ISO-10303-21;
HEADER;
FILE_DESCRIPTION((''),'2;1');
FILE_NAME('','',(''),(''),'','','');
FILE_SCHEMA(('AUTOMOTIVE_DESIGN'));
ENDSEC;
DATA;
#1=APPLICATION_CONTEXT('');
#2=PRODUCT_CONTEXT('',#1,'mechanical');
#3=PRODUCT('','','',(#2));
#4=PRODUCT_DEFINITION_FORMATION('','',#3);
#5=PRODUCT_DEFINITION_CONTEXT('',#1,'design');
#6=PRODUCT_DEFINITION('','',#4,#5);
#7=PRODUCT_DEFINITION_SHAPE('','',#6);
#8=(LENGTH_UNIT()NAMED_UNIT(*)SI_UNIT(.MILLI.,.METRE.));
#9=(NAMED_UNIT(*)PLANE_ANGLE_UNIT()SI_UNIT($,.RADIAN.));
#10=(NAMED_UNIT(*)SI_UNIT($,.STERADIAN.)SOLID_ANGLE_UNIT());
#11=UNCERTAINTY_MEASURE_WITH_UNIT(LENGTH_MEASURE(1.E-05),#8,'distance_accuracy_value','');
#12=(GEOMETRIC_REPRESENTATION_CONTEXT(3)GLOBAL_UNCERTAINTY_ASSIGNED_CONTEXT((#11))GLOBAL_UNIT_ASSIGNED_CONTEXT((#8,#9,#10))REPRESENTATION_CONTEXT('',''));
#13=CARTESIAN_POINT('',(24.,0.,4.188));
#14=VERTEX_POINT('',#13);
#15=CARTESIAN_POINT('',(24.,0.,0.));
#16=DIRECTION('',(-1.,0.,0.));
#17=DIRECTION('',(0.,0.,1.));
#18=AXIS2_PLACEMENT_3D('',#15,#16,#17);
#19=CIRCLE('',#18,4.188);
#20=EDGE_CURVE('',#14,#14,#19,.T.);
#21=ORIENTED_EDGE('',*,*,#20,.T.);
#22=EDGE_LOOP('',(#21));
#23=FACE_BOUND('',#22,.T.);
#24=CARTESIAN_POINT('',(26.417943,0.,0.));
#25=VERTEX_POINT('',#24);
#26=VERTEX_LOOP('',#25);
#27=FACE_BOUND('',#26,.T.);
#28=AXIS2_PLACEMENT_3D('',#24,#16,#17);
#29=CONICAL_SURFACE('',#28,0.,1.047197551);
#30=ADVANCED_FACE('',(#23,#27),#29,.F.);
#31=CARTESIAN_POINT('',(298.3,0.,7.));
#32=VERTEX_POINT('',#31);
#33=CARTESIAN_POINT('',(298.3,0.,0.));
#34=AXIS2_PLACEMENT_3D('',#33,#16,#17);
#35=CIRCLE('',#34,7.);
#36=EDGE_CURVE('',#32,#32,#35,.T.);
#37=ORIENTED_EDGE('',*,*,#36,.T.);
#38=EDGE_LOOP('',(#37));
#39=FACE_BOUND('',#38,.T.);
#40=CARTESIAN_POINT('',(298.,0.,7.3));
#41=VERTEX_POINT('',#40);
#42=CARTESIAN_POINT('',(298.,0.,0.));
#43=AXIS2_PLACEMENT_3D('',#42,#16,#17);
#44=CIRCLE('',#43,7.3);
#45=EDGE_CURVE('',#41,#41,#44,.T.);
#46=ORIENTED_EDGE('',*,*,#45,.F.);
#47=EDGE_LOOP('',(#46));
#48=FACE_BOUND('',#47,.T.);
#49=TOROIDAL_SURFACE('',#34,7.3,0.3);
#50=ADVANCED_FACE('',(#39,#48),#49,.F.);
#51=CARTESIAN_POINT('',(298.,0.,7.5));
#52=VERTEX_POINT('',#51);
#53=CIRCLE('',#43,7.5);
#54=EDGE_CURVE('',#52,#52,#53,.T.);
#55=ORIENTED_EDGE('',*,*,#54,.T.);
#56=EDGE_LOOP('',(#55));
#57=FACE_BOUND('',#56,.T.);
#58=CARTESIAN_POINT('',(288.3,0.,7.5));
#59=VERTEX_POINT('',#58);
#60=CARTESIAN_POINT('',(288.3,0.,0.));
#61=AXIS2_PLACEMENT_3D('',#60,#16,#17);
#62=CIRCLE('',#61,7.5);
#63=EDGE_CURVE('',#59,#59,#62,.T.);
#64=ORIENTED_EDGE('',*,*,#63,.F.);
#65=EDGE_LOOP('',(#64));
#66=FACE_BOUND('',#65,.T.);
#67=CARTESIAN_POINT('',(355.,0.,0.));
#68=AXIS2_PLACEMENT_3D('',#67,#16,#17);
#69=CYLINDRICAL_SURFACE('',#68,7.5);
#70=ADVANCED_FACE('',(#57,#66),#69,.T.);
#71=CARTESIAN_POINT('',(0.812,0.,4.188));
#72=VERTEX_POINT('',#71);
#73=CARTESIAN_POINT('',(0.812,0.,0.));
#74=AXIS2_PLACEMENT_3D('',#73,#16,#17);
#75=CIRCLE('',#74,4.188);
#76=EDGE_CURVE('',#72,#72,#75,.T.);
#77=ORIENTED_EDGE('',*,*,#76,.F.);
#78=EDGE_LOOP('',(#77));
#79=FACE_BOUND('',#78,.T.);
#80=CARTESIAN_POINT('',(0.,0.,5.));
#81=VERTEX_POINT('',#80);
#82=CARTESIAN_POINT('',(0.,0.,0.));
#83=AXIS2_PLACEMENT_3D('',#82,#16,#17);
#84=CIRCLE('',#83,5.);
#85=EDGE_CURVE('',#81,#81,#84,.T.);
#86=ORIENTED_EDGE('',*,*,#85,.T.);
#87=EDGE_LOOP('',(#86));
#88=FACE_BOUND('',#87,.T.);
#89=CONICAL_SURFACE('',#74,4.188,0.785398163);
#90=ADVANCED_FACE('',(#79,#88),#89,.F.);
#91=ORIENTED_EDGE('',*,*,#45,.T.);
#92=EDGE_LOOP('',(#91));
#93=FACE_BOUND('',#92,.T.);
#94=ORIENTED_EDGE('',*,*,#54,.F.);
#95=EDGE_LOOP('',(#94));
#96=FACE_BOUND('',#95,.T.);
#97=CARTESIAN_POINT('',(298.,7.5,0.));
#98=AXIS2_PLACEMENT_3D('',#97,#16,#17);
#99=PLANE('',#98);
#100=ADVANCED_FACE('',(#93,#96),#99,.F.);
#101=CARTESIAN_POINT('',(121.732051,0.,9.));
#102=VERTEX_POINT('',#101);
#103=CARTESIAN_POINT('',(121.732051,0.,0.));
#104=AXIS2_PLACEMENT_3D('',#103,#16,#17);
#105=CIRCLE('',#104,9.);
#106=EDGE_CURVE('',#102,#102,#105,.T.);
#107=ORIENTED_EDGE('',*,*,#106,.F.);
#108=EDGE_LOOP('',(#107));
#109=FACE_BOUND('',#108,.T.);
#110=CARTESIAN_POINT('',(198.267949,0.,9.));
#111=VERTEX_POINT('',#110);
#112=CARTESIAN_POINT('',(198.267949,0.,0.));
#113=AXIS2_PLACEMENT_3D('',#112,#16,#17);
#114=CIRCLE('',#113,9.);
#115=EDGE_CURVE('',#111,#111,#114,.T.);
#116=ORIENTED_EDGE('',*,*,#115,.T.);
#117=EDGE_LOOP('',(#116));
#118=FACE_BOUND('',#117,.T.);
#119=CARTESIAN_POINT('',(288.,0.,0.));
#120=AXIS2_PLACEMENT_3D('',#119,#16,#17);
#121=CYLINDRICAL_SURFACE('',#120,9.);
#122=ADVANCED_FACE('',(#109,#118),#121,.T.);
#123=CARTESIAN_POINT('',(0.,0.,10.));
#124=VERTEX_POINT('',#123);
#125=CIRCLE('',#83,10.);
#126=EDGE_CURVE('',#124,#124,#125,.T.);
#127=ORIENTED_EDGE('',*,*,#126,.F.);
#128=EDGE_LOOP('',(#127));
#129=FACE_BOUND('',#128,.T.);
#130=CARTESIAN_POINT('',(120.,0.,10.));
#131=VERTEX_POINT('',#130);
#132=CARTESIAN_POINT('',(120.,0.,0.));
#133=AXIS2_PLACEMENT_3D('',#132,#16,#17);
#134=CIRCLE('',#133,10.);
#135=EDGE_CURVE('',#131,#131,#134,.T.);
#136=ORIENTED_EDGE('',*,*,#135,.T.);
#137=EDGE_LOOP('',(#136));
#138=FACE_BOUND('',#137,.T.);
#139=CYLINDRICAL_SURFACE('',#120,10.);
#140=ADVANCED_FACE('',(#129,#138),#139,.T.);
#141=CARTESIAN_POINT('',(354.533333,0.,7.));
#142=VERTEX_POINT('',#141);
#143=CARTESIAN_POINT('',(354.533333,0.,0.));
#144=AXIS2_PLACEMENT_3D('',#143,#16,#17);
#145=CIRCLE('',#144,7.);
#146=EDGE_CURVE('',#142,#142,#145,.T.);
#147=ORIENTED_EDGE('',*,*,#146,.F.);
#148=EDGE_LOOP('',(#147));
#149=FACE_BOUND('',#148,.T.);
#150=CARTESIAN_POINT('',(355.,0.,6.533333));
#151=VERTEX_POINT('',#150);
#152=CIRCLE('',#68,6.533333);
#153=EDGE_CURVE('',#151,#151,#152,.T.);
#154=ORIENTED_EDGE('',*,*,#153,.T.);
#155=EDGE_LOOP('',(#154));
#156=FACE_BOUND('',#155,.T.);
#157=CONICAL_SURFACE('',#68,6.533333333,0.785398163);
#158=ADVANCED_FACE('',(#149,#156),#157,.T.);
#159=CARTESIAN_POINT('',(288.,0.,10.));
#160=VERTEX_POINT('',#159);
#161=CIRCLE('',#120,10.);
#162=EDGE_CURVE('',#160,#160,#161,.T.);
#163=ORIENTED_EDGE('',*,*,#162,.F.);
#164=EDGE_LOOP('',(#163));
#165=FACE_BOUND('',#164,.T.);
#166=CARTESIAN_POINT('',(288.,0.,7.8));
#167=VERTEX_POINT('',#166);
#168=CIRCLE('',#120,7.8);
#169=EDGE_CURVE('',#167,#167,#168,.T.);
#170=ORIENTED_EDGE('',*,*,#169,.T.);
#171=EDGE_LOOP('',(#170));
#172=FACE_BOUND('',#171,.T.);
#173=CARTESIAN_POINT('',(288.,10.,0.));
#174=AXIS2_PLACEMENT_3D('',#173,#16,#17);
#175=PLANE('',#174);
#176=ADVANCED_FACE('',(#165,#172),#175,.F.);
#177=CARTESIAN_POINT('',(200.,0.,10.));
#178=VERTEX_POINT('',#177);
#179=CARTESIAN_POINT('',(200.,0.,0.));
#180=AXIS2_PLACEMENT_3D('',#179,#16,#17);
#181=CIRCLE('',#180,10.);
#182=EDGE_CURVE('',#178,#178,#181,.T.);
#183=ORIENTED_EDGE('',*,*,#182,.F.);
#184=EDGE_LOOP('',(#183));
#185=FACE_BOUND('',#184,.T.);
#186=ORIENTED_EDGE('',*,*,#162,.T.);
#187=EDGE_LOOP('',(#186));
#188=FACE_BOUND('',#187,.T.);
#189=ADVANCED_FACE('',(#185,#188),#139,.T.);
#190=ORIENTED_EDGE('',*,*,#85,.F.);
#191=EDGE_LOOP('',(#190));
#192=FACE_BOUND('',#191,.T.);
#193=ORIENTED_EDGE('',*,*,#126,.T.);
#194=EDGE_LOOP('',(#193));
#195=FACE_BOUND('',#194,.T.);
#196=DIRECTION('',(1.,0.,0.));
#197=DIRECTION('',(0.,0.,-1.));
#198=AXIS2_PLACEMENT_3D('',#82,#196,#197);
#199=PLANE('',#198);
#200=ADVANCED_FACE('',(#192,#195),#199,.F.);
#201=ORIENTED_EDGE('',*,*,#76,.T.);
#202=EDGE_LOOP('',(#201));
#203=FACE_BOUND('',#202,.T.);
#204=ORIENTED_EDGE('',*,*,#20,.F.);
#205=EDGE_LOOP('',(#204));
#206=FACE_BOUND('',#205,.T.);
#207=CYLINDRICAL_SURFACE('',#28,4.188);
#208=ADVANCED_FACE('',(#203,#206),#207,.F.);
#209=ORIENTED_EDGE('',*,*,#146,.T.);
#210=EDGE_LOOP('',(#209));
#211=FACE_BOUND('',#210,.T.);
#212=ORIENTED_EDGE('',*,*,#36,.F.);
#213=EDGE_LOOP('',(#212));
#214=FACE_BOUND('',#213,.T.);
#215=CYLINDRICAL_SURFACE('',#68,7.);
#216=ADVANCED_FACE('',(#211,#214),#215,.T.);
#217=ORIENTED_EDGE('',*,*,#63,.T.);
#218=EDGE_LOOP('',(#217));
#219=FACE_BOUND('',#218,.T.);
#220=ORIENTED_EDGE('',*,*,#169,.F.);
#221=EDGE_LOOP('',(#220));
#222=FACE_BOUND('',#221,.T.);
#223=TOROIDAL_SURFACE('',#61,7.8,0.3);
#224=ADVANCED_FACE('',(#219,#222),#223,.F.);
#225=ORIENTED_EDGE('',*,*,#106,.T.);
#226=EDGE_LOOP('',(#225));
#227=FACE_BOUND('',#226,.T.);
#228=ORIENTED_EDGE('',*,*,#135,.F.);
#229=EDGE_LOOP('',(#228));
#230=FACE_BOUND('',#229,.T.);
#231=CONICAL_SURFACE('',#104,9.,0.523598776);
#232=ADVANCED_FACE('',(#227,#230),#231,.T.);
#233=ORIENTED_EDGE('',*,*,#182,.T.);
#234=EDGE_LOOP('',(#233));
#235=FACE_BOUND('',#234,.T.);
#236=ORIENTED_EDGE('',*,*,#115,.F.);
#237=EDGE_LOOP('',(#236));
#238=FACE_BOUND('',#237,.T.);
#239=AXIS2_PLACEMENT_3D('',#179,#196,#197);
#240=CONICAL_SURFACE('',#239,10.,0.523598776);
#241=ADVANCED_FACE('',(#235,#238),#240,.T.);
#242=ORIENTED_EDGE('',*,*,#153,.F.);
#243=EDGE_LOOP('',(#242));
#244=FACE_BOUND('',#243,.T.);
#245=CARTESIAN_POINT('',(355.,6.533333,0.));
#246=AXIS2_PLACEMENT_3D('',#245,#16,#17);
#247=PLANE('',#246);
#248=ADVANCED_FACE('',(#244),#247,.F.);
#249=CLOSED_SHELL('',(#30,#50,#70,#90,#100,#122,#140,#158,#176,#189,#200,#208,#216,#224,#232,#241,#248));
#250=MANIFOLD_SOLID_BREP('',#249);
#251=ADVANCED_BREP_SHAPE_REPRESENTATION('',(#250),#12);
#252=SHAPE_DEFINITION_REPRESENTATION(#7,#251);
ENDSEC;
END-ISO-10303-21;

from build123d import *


with BuildPart() as part:
    # 草图1 → 旋转1 (revolve)
    with BuildSketch(Plane.XY):
        with BuildLine():
            Line((288, 0), (288, 7.8))
            ThreePointArc((288, 7.8), (288.087867966, 7.587867966), (288.3, 7.5))
            Line((288.3, 7.5), (298, 7.5))
            Line((298, 7.5), (298, 7.3))
            ThreePointArc((298, 7.3), (298.087867966, 7.087867966), (298.3, 7))
            Line((298.3, 7), (354.533333333, 7))
            Line((354.533333333, 7), (355, 6.533333333))
            Line((355, 6.533333333), (355, 0))
            Line((355, 0), (288, 0))
        make_face()
    revolve(axis=Axis((355, 0, 0), (-1, 0, 0)))

    # 草图2 → 旋转2 (revolve)
    with BuildSketch(Plane.XY):
        Polygon((0, 0), (0, 10), (120, 10), (121.732050808, 9), (198.267949192, 9), (200, 10), (288, 10), (288, 0), align=None)
    revolve(axis=Axis((288, 0, 0), (-1, 0, 0)))

    # 草图3 → 切除-旋转1 (revolve, cut)
    with BuildSketch(Plane.XY):
        Polygon((0, 0), (0, 5), (0.812, 4.188), (24, 4.188), (26.417942927, 0), align=None)
    revolve(axis=Axis((26.417942927, 0, 0), (-1, 0, 0)), mode=Mode.SUBTRACT)


solid = part.part
